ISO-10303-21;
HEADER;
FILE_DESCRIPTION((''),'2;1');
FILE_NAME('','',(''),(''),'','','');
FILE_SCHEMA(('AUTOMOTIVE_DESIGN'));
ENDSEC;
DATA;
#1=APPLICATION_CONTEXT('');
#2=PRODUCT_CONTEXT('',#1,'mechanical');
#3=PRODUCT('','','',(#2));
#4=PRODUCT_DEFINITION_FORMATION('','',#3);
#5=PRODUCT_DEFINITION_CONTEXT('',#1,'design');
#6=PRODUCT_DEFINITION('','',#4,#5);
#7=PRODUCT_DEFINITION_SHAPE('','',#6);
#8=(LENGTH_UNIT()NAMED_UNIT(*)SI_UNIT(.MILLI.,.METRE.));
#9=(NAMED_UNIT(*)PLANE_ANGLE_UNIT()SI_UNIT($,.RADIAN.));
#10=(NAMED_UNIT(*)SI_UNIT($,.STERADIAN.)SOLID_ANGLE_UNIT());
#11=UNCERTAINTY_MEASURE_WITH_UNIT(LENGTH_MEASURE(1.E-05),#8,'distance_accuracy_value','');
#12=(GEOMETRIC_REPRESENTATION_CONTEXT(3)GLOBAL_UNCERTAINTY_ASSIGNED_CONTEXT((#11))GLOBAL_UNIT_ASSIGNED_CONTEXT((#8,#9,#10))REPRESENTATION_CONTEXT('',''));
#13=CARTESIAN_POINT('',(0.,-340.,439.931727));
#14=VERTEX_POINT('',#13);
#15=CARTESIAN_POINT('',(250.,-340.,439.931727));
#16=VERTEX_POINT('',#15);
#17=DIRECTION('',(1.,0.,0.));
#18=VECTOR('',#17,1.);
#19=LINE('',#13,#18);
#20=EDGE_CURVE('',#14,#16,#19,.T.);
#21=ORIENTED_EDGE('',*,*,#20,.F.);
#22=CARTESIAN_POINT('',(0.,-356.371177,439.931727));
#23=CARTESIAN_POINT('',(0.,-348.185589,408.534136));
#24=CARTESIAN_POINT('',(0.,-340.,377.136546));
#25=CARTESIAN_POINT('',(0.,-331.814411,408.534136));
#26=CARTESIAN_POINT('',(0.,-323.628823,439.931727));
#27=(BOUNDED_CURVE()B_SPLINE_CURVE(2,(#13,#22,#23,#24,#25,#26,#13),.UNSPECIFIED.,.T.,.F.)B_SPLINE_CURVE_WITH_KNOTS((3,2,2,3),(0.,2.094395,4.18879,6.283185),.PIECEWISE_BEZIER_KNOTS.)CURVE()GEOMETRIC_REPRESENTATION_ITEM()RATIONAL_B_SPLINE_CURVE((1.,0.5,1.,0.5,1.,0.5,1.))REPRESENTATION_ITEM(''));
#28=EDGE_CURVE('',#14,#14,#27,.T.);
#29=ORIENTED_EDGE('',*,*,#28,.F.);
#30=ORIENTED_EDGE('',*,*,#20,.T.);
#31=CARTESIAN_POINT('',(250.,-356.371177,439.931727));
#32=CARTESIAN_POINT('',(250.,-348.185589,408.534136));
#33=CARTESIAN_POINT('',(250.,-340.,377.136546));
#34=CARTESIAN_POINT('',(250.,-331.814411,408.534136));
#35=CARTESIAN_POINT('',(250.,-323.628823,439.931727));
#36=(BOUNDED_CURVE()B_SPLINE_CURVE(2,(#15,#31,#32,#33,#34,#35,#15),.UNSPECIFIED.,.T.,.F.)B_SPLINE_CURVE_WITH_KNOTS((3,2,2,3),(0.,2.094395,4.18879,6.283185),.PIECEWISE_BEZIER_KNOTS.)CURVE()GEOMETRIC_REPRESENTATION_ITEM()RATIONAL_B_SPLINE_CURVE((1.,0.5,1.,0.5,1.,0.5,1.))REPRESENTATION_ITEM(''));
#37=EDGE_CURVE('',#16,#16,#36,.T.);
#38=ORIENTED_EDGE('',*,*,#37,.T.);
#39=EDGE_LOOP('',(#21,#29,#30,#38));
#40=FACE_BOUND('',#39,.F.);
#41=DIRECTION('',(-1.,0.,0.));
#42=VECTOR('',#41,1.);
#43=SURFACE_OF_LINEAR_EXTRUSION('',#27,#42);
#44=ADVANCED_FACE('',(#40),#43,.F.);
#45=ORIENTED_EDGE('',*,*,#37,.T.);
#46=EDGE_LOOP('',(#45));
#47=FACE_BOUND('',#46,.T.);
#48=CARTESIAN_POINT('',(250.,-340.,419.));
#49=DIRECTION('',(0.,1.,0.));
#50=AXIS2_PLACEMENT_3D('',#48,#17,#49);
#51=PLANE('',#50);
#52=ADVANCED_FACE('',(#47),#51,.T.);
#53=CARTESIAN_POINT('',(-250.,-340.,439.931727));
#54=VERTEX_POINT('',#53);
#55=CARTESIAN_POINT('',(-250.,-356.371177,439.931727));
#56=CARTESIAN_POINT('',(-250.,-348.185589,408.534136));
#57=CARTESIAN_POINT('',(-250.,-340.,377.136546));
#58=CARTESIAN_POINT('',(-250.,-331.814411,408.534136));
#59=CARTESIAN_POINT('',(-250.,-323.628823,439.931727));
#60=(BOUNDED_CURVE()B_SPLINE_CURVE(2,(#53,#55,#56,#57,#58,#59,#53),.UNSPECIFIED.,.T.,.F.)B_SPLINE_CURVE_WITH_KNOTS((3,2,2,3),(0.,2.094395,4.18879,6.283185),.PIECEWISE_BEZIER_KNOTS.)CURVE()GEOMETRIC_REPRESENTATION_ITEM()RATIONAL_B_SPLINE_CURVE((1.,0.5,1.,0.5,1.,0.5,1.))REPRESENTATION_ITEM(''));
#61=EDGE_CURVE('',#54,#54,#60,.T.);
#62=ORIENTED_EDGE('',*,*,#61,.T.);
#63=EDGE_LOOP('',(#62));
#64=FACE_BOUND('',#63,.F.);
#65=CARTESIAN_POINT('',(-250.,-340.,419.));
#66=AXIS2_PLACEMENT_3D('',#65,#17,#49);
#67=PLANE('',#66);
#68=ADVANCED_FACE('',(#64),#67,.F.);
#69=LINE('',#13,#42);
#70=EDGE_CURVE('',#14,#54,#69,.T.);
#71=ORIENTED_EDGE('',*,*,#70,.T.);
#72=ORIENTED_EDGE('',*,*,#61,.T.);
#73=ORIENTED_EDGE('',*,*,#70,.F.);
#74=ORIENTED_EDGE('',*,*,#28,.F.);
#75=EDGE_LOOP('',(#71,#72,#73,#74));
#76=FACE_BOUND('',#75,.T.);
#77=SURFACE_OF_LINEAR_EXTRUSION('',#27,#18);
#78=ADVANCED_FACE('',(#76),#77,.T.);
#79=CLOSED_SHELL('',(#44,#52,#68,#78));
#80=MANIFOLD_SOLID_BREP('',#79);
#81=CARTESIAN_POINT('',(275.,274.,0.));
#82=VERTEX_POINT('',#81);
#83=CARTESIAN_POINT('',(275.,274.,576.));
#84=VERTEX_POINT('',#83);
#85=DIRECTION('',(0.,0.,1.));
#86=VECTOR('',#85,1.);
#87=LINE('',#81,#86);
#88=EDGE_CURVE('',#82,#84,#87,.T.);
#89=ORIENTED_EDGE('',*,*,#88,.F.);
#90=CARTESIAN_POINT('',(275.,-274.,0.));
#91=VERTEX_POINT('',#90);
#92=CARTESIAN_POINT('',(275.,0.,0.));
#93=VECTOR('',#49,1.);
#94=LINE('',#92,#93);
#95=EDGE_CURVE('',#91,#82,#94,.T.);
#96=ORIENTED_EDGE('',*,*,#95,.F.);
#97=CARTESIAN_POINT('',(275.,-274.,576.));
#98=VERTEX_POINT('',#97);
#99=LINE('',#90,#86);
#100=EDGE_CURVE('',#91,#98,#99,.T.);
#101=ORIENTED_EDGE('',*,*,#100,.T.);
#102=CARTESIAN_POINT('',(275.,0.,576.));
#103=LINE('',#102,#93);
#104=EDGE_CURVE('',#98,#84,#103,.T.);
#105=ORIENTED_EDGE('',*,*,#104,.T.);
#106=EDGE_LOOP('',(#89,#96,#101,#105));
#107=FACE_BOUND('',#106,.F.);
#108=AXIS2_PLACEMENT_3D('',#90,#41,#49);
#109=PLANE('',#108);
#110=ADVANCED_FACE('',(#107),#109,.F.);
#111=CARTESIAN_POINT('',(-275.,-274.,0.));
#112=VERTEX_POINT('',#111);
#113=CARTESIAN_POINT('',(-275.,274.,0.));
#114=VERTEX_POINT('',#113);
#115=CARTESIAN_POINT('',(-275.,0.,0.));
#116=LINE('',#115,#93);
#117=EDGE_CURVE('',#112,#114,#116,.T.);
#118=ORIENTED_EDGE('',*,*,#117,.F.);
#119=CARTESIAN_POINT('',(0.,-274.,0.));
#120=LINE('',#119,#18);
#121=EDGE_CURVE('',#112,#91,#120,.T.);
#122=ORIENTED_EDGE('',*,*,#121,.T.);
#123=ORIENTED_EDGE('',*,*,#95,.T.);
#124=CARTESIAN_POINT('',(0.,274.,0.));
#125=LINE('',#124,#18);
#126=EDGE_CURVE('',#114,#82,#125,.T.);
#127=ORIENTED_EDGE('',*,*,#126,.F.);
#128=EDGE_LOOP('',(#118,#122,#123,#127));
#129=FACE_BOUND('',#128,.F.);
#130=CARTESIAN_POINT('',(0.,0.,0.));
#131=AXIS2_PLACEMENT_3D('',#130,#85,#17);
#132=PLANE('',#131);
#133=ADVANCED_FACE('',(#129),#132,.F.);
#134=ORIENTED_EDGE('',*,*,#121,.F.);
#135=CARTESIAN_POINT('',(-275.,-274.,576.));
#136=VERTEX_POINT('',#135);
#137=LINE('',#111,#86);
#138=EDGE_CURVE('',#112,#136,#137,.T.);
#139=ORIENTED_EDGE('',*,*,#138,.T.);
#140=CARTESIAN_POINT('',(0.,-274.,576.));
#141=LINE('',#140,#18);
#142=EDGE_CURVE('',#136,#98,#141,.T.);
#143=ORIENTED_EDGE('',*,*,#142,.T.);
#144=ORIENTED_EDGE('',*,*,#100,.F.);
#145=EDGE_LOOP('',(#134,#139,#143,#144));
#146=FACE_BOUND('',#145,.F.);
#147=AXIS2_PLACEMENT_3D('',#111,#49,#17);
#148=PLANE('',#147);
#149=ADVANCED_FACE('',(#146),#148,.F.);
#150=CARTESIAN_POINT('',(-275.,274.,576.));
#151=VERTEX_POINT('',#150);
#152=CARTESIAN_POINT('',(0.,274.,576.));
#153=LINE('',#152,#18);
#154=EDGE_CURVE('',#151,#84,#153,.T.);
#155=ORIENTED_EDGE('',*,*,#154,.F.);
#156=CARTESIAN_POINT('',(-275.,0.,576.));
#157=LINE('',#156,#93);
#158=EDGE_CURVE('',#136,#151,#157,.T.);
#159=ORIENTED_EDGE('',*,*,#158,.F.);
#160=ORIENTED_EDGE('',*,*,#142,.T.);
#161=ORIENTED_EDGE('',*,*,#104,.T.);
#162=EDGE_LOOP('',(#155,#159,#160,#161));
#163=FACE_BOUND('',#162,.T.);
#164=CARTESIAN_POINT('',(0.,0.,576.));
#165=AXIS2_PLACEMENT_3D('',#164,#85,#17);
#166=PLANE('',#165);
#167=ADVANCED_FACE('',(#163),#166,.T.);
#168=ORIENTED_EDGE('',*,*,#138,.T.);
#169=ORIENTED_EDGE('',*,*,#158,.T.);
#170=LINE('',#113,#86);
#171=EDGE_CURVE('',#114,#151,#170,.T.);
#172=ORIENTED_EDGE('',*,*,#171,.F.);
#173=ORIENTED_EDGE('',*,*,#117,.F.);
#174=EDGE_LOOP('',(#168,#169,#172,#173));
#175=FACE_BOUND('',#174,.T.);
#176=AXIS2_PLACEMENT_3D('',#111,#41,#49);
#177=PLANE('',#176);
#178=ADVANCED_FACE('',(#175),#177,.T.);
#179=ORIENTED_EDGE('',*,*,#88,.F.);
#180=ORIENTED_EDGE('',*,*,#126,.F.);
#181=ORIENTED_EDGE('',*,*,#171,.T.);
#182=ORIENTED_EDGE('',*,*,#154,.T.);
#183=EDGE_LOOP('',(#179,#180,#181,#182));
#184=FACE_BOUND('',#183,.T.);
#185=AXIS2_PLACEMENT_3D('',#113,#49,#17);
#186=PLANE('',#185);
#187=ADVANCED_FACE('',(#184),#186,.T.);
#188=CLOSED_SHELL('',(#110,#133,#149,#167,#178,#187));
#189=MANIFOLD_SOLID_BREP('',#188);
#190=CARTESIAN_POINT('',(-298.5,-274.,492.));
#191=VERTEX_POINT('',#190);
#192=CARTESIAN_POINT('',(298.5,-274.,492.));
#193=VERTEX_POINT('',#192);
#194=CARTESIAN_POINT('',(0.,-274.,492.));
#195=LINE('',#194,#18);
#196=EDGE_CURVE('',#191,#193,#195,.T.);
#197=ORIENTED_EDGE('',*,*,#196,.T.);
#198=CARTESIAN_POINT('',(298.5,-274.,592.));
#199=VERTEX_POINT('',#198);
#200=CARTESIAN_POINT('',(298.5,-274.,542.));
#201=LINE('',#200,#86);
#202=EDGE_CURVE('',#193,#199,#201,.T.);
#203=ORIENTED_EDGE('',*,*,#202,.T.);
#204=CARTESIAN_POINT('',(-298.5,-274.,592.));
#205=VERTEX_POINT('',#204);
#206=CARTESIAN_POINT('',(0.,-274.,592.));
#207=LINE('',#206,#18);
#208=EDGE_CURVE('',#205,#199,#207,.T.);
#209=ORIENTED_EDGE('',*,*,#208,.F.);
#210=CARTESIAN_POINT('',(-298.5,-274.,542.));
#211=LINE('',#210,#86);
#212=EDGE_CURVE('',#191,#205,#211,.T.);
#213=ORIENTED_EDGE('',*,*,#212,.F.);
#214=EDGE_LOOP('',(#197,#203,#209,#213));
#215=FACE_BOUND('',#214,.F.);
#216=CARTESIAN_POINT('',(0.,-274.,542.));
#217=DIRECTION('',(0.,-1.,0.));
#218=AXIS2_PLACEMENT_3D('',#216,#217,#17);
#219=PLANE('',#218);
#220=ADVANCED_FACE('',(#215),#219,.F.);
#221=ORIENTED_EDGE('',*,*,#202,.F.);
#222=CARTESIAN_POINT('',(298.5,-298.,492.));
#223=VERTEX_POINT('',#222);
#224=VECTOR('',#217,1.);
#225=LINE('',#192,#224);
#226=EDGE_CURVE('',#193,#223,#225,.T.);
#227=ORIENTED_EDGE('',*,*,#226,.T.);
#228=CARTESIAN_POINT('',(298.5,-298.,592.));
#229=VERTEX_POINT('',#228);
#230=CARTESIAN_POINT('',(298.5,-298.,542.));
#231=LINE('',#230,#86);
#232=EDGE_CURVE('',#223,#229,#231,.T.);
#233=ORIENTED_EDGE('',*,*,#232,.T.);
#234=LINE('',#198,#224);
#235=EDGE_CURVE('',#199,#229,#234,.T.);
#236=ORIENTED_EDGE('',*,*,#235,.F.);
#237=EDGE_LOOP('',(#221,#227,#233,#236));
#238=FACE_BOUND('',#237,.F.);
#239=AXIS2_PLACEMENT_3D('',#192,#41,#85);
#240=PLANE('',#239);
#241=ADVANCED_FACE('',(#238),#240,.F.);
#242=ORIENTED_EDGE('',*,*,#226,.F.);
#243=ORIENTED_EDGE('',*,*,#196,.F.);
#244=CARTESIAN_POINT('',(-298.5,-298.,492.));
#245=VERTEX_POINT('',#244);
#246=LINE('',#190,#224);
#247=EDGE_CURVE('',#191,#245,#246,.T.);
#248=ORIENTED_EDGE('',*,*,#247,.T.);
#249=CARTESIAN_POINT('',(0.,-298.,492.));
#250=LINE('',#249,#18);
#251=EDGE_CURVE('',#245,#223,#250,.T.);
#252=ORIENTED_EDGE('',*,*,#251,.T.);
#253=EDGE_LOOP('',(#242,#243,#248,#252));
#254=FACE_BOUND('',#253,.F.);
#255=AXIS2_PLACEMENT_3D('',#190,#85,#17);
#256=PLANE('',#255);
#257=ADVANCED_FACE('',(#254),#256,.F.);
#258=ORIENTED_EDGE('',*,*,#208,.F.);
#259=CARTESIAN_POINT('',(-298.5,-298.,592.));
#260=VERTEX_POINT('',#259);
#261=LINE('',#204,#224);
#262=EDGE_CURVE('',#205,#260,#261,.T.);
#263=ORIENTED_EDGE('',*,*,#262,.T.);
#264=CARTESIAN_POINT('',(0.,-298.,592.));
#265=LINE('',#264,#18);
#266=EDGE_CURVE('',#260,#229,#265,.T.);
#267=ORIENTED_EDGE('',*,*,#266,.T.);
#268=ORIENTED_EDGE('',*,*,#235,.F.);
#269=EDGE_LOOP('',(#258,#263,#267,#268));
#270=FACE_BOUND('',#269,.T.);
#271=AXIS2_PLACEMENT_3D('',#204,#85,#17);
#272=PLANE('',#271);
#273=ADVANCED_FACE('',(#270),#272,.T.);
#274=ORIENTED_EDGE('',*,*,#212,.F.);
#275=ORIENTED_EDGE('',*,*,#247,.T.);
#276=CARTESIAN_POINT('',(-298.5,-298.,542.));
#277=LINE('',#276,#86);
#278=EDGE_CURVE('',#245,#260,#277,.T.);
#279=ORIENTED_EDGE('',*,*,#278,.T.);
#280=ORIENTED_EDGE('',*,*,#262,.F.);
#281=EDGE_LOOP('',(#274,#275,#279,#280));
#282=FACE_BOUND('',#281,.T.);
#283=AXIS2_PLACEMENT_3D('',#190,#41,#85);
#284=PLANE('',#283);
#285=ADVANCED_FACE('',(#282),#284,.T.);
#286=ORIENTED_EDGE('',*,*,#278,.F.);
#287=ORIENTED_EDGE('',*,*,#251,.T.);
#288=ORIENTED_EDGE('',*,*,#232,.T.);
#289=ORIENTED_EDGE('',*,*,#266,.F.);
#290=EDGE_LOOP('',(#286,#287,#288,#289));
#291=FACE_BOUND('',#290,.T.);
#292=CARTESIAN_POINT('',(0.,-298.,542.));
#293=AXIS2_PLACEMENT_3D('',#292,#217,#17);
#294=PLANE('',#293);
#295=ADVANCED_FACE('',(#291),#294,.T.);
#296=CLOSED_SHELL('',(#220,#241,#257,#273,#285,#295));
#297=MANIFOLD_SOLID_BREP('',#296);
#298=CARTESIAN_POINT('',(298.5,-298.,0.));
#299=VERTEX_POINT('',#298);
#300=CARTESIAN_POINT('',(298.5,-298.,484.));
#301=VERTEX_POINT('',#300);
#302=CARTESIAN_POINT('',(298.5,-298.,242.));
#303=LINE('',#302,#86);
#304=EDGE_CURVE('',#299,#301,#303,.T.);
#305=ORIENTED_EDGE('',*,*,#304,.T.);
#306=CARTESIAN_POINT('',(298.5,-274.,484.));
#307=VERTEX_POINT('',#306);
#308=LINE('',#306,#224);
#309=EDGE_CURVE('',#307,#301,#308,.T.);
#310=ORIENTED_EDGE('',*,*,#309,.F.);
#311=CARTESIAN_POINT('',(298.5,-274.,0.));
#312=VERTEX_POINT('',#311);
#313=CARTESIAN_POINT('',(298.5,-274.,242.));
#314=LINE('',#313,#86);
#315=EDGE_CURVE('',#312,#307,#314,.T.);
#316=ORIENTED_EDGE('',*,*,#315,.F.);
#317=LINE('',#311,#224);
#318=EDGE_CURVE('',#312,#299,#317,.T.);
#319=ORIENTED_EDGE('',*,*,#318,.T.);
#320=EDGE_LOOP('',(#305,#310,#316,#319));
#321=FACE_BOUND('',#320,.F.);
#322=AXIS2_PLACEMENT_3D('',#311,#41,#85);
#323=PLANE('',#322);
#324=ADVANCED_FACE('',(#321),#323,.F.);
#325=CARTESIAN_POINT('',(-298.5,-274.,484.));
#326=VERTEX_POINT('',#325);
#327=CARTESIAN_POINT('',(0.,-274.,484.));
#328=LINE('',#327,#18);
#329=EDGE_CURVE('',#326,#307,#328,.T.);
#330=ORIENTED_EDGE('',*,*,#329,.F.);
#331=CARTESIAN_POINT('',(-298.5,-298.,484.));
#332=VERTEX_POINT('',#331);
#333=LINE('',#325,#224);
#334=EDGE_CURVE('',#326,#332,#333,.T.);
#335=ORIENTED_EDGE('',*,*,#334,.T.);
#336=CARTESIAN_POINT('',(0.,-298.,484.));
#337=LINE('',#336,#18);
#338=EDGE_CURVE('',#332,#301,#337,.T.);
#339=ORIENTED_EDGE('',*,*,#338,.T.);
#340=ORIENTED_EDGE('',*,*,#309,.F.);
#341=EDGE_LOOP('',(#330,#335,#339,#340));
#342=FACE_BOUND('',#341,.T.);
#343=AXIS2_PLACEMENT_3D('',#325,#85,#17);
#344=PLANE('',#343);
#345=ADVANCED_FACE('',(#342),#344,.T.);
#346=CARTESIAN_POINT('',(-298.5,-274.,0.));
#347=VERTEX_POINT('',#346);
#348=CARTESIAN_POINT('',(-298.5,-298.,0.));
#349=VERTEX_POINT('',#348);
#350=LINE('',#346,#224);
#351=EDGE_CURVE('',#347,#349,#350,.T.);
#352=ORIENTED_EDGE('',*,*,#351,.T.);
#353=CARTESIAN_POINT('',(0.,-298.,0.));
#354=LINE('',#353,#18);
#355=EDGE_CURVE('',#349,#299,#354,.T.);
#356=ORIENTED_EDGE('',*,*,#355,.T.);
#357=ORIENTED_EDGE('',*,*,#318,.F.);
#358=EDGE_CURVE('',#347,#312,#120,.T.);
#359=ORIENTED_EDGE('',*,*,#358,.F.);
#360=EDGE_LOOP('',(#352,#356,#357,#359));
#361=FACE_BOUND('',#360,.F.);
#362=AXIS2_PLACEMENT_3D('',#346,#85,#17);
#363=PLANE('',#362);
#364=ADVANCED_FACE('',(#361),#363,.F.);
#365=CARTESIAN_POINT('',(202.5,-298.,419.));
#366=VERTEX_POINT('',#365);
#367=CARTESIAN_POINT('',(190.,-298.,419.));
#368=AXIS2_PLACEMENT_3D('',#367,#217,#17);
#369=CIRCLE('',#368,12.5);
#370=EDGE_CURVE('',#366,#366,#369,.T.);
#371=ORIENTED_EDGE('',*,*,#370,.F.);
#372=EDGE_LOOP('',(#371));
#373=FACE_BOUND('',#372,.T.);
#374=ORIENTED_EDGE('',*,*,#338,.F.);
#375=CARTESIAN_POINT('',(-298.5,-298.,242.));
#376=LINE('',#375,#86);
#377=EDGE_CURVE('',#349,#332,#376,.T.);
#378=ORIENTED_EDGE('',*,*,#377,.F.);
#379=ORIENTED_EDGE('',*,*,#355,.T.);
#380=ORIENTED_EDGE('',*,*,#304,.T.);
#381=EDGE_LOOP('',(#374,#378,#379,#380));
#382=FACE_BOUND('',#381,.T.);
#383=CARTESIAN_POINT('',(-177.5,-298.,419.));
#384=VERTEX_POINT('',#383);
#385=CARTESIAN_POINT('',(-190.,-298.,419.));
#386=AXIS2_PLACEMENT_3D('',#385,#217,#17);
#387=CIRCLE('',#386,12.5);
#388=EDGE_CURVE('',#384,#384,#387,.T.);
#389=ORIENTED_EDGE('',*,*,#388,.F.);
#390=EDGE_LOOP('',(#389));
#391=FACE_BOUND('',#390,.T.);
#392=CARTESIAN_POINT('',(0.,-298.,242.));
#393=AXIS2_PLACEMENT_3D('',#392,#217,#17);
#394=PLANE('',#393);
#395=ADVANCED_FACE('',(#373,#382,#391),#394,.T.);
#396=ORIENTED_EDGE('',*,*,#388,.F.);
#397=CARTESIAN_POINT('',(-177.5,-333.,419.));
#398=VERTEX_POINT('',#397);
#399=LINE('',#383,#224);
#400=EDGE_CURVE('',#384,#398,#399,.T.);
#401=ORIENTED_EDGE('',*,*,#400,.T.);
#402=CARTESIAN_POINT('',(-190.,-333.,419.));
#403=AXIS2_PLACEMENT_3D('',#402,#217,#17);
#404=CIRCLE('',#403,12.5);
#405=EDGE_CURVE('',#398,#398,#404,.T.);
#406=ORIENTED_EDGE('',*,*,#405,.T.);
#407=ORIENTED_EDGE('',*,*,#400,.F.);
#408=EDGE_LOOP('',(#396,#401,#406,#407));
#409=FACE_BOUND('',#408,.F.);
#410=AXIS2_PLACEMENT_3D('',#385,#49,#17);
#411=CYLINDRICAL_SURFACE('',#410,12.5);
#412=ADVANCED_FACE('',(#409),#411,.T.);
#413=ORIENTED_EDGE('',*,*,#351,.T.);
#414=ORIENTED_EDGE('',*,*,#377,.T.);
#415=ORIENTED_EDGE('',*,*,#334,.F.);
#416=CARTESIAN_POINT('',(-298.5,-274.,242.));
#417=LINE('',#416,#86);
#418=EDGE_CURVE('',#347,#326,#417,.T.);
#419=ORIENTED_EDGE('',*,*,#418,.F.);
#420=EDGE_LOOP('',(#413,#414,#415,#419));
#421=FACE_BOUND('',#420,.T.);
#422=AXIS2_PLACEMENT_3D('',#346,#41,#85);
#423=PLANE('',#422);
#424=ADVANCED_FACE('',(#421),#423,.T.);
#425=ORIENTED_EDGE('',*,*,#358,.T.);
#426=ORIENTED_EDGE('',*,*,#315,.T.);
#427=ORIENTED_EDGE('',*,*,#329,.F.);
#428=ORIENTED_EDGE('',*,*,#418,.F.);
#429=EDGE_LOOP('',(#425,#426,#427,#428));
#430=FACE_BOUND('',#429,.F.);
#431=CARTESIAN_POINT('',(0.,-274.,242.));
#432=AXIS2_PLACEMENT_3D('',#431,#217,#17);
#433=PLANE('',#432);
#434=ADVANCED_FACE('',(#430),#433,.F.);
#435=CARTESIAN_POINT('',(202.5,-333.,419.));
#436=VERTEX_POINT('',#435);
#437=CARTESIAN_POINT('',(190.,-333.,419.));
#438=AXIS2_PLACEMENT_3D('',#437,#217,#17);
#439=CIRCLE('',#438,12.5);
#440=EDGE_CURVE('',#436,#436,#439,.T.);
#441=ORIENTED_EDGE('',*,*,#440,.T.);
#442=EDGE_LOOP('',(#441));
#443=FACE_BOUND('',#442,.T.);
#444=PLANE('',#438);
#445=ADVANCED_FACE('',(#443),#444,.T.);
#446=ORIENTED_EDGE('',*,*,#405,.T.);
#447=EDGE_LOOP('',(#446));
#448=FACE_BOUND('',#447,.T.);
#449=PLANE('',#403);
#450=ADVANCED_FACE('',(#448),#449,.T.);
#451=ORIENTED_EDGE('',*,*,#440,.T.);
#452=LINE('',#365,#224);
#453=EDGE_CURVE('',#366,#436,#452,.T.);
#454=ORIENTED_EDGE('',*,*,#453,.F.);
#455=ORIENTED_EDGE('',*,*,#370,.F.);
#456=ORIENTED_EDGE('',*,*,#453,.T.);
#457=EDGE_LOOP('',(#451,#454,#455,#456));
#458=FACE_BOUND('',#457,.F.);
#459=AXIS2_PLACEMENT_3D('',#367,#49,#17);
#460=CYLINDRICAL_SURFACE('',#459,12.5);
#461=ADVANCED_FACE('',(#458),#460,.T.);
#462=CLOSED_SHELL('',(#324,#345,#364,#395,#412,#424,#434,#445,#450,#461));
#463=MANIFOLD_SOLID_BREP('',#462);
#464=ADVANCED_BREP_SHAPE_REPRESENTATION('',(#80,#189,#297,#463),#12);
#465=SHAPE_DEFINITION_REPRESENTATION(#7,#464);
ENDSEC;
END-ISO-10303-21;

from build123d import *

# Parameters (mm, degrees)
F0_W          = 550
F0_H          = 548
F1_DEPTH      = 576
F2_W          = 597
F2_H          = 100
F2_H_2        = 484
F3_DEPTH      = 24
F4_R          = 12.5
F5_DEPTH      = 35
F7_DEPTH      = 250
F7_DEPTH_BACK = 250


with BuildPart() as f1:
    # F0 (on Top) → F1 (new body)
    with BuildSketch(Plane.XY):
        Rectangle(F0_W, F0_H)
    extrude(amount=F1_DEPTH)


with BuildPart() as f3:
    # F2 (on face) → F3 (new body)
    with BuildSketch(Plane.XZ.offset(274)):
        with Locations((0, 542)):
            Rectangle(F2_W, F2_H)
        with Locations((0, 242)):
            Rectangle(F2_W, F2_H_2)
    extrude(amount=F3_DEPTH)

    # F4 (on face) → F5 (join)
    with BuildSketch(Plane.XZ.offset(298)):
        with Locations((-190, 419)):
            Circle(F4_R)
        with Locations((190, 419)):
            Circle(F4_R)
    extrude(amount=F5_DEPTH)


with BuildPart() as f7:
    # F6 (on Right) → F7 (new body, two sides)
    with BuildSketch(Plane.YZ) as f7_sk:
        with BuildLine():
            add(Edge.make_bspline(
                [(-340, 439.931727), (-356.371177, 439.931727), (-348.185589, 408.534136), (-340, 377.136546), (-331.814411, 408.534136), (-323.628823, 439.931727), (-340, 439.931727)],
                knots=[0, 0, 0, 2.094395, 2.094395, 4.18879, 4.18879, 6.283185, 6.283185, 6.283185], degree=2, weights=[1, 0.5, 1, 0.5, 1, 0.5, 1]))
        make_face()
    extrude(amount=F7_DEPTH)
    extrude(f7_sk.sketch, amount=-F7_DEPTH_BACK)


solid = Compound([f1.part, f3.part, f7.part])
